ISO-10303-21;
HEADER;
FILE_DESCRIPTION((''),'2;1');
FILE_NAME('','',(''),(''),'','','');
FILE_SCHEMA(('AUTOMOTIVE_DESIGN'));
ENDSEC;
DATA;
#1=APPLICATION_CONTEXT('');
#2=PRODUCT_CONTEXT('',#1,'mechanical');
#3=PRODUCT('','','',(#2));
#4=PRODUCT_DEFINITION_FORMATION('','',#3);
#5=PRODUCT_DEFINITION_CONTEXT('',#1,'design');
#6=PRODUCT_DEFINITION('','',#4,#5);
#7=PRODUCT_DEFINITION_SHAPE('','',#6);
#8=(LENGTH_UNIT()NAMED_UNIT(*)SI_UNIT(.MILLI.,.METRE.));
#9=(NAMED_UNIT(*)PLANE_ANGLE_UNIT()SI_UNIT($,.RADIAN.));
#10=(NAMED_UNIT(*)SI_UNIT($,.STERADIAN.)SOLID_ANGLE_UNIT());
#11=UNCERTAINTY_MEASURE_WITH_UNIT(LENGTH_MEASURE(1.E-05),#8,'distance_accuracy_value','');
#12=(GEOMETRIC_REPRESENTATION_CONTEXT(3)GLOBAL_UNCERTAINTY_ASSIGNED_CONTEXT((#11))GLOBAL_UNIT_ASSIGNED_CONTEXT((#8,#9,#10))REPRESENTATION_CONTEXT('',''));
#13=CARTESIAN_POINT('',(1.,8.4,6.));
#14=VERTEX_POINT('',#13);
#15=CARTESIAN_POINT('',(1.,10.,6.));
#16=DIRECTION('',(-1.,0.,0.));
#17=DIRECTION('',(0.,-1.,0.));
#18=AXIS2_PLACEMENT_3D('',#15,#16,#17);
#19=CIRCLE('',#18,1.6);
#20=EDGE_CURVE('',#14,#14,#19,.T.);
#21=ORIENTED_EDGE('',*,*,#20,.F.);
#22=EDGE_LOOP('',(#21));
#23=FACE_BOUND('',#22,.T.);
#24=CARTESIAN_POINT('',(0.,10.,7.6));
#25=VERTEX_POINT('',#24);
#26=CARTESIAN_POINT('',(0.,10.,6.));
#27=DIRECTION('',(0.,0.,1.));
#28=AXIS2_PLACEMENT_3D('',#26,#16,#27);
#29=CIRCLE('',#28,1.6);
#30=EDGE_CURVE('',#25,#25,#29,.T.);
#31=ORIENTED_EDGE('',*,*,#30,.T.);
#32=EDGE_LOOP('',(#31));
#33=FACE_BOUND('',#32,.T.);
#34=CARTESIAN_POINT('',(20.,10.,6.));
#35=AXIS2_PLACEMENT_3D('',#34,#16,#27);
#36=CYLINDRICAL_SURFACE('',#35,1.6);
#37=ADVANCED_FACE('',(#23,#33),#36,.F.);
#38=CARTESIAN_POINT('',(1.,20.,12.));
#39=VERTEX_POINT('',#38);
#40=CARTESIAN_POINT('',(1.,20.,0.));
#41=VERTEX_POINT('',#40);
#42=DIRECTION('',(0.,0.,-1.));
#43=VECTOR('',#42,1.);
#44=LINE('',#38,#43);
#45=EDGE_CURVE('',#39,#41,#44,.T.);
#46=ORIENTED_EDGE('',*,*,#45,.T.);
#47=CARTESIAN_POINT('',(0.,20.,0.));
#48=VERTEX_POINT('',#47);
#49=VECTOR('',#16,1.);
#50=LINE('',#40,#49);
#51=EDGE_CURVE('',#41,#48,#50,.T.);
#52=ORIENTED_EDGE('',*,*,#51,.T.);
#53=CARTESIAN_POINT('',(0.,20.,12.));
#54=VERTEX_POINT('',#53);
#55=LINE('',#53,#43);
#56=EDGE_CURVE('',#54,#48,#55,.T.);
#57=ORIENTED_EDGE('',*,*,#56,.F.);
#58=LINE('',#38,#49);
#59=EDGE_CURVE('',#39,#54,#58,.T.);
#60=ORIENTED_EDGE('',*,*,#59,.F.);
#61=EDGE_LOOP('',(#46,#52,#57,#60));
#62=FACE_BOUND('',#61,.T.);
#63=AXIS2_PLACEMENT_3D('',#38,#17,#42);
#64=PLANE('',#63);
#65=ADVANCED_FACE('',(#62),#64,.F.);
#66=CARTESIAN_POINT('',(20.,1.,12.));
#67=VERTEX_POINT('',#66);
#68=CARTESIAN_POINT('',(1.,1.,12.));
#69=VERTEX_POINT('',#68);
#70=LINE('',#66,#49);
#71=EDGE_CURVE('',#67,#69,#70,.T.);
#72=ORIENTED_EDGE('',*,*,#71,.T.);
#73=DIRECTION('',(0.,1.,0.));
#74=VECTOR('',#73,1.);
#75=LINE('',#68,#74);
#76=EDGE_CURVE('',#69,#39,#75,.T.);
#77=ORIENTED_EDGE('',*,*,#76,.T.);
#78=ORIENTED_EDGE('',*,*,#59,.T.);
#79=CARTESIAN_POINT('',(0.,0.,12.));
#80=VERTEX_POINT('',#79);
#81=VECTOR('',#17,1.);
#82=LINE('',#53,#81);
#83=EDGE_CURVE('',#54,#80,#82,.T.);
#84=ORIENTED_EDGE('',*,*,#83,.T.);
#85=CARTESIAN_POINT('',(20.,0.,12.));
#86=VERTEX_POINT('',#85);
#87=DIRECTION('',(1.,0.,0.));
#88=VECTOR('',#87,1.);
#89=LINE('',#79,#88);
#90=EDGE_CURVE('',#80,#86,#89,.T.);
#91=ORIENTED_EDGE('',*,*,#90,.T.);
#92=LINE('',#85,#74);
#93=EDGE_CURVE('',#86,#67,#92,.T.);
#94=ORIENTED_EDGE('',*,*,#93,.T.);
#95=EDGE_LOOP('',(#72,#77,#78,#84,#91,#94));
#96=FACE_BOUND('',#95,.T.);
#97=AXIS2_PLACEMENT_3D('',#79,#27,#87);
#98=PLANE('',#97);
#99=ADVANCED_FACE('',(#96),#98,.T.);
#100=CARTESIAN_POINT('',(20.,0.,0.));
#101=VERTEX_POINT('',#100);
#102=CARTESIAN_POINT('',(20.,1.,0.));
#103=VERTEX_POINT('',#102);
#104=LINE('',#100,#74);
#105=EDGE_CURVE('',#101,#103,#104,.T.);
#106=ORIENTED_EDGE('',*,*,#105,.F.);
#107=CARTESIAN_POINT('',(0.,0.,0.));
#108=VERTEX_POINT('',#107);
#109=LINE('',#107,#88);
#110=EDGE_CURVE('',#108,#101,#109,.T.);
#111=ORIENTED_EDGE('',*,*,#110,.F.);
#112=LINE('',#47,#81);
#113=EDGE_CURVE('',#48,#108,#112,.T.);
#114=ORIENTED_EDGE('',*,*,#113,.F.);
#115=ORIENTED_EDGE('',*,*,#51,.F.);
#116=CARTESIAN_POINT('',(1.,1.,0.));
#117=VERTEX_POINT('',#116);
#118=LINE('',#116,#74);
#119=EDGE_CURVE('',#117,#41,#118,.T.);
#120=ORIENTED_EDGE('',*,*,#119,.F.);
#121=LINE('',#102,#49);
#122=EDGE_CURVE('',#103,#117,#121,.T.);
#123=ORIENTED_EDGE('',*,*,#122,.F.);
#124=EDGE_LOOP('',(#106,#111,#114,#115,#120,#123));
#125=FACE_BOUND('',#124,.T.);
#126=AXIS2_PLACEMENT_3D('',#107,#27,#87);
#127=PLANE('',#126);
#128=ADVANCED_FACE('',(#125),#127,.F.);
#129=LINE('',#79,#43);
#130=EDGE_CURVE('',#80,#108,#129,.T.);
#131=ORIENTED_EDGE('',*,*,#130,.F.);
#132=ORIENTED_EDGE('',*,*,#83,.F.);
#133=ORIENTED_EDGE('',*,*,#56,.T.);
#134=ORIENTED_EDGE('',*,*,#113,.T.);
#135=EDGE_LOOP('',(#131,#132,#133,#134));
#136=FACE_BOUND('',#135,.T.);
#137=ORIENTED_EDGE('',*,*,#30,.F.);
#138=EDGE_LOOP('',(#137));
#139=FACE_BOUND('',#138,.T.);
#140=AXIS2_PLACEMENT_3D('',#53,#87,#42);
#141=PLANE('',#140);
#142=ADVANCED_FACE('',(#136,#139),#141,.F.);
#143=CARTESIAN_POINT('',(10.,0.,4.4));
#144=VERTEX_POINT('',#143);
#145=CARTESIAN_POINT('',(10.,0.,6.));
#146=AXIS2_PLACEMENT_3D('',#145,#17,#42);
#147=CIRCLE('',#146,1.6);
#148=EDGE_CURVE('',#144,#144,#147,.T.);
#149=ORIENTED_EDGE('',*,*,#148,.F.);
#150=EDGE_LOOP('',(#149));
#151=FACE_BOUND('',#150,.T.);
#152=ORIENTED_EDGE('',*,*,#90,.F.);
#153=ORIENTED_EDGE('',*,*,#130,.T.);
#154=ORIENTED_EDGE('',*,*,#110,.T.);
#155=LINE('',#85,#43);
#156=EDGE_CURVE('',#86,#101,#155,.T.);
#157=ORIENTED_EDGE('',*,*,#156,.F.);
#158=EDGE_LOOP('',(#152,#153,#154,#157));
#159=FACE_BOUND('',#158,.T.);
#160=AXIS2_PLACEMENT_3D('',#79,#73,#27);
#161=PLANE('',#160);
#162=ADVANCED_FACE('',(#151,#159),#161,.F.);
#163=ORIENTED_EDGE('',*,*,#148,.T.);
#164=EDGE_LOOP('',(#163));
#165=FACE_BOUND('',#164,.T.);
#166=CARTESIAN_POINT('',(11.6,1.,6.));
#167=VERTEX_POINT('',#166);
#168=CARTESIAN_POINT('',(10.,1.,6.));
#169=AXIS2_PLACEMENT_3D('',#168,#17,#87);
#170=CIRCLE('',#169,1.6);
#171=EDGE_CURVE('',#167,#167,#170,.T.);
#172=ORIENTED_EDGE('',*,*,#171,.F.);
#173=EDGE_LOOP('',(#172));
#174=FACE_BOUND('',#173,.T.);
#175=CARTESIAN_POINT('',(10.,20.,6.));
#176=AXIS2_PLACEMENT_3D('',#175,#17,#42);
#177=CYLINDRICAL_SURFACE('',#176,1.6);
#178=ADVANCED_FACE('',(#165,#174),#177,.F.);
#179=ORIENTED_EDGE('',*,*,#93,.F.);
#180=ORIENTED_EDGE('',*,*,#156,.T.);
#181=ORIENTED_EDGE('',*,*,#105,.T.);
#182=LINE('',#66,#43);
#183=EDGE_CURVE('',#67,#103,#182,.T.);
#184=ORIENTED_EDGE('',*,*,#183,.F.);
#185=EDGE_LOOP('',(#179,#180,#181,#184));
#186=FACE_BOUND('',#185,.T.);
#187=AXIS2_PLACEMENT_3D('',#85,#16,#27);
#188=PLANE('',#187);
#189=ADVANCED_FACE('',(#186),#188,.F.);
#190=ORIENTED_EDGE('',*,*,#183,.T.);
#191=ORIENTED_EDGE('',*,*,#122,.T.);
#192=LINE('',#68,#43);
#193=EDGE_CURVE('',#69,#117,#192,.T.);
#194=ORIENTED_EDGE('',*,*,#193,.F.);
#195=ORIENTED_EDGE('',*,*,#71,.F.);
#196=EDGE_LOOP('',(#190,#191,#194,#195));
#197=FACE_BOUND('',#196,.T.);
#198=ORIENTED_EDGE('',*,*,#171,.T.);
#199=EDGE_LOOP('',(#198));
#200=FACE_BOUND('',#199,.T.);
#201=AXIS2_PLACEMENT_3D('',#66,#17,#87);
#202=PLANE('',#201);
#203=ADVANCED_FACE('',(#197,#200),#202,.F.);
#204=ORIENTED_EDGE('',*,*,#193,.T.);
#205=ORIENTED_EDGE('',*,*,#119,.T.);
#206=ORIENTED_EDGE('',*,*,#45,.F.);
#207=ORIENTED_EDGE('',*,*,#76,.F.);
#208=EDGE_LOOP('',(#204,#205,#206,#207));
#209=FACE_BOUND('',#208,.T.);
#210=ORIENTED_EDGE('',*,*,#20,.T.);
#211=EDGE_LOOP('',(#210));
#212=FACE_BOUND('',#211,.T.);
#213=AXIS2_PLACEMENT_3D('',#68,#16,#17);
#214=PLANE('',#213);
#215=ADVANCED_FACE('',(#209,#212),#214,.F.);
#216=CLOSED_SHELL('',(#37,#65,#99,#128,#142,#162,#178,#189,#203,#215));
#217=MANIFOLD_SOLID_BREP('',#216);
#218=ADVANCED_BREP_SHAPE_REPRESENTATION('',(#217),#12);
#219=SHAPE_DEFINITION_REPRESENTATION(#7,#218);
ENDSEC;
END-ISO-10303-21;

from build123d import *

# Parameters (mm, degrees)
BOSS_EXTRUDE1_DEPTH = 12
SKETCH2_R           = 1.6
CUT_EXTRUDE1_DEPTH  = 21
SKETCH3_R           = 1.6
CUT_EXTRUDE2_DEPTH  = 21


with BuildPart() as part:
    # Sketch1 → Boss-Extrude1 (new body)
    with BuildSketch(Plane.XY):
        Polygon((0, 0), (20, 0), (20, 1), (1, 1), (1, 20), (0, 20), align=None)
    extrude(amount=BOSS_EXTRUDE1_DEPTH)

    # Sketch2 → Cut-Extrude1 (cut, through all)
    with BuildSketch(Plane.XZ):
        with Locations((10, 6)):
            Circle(SKETCH2_R)
    extrude(amount=-CUT_EXTRUDE1_DEPTH, mode=Mode.SUBTRACT)

    # Sketch3 → Cut-Extrude2 (cut, through all)
    with BuildSketch(Plane.ZY):
        with Locations((6, 10)):
            Circle(SKETCH3_R)
    extrude(amount=-CUT_EXTRUDE2_DEPTH, mode=Mode.SUBTRACT)


solid = part.part
